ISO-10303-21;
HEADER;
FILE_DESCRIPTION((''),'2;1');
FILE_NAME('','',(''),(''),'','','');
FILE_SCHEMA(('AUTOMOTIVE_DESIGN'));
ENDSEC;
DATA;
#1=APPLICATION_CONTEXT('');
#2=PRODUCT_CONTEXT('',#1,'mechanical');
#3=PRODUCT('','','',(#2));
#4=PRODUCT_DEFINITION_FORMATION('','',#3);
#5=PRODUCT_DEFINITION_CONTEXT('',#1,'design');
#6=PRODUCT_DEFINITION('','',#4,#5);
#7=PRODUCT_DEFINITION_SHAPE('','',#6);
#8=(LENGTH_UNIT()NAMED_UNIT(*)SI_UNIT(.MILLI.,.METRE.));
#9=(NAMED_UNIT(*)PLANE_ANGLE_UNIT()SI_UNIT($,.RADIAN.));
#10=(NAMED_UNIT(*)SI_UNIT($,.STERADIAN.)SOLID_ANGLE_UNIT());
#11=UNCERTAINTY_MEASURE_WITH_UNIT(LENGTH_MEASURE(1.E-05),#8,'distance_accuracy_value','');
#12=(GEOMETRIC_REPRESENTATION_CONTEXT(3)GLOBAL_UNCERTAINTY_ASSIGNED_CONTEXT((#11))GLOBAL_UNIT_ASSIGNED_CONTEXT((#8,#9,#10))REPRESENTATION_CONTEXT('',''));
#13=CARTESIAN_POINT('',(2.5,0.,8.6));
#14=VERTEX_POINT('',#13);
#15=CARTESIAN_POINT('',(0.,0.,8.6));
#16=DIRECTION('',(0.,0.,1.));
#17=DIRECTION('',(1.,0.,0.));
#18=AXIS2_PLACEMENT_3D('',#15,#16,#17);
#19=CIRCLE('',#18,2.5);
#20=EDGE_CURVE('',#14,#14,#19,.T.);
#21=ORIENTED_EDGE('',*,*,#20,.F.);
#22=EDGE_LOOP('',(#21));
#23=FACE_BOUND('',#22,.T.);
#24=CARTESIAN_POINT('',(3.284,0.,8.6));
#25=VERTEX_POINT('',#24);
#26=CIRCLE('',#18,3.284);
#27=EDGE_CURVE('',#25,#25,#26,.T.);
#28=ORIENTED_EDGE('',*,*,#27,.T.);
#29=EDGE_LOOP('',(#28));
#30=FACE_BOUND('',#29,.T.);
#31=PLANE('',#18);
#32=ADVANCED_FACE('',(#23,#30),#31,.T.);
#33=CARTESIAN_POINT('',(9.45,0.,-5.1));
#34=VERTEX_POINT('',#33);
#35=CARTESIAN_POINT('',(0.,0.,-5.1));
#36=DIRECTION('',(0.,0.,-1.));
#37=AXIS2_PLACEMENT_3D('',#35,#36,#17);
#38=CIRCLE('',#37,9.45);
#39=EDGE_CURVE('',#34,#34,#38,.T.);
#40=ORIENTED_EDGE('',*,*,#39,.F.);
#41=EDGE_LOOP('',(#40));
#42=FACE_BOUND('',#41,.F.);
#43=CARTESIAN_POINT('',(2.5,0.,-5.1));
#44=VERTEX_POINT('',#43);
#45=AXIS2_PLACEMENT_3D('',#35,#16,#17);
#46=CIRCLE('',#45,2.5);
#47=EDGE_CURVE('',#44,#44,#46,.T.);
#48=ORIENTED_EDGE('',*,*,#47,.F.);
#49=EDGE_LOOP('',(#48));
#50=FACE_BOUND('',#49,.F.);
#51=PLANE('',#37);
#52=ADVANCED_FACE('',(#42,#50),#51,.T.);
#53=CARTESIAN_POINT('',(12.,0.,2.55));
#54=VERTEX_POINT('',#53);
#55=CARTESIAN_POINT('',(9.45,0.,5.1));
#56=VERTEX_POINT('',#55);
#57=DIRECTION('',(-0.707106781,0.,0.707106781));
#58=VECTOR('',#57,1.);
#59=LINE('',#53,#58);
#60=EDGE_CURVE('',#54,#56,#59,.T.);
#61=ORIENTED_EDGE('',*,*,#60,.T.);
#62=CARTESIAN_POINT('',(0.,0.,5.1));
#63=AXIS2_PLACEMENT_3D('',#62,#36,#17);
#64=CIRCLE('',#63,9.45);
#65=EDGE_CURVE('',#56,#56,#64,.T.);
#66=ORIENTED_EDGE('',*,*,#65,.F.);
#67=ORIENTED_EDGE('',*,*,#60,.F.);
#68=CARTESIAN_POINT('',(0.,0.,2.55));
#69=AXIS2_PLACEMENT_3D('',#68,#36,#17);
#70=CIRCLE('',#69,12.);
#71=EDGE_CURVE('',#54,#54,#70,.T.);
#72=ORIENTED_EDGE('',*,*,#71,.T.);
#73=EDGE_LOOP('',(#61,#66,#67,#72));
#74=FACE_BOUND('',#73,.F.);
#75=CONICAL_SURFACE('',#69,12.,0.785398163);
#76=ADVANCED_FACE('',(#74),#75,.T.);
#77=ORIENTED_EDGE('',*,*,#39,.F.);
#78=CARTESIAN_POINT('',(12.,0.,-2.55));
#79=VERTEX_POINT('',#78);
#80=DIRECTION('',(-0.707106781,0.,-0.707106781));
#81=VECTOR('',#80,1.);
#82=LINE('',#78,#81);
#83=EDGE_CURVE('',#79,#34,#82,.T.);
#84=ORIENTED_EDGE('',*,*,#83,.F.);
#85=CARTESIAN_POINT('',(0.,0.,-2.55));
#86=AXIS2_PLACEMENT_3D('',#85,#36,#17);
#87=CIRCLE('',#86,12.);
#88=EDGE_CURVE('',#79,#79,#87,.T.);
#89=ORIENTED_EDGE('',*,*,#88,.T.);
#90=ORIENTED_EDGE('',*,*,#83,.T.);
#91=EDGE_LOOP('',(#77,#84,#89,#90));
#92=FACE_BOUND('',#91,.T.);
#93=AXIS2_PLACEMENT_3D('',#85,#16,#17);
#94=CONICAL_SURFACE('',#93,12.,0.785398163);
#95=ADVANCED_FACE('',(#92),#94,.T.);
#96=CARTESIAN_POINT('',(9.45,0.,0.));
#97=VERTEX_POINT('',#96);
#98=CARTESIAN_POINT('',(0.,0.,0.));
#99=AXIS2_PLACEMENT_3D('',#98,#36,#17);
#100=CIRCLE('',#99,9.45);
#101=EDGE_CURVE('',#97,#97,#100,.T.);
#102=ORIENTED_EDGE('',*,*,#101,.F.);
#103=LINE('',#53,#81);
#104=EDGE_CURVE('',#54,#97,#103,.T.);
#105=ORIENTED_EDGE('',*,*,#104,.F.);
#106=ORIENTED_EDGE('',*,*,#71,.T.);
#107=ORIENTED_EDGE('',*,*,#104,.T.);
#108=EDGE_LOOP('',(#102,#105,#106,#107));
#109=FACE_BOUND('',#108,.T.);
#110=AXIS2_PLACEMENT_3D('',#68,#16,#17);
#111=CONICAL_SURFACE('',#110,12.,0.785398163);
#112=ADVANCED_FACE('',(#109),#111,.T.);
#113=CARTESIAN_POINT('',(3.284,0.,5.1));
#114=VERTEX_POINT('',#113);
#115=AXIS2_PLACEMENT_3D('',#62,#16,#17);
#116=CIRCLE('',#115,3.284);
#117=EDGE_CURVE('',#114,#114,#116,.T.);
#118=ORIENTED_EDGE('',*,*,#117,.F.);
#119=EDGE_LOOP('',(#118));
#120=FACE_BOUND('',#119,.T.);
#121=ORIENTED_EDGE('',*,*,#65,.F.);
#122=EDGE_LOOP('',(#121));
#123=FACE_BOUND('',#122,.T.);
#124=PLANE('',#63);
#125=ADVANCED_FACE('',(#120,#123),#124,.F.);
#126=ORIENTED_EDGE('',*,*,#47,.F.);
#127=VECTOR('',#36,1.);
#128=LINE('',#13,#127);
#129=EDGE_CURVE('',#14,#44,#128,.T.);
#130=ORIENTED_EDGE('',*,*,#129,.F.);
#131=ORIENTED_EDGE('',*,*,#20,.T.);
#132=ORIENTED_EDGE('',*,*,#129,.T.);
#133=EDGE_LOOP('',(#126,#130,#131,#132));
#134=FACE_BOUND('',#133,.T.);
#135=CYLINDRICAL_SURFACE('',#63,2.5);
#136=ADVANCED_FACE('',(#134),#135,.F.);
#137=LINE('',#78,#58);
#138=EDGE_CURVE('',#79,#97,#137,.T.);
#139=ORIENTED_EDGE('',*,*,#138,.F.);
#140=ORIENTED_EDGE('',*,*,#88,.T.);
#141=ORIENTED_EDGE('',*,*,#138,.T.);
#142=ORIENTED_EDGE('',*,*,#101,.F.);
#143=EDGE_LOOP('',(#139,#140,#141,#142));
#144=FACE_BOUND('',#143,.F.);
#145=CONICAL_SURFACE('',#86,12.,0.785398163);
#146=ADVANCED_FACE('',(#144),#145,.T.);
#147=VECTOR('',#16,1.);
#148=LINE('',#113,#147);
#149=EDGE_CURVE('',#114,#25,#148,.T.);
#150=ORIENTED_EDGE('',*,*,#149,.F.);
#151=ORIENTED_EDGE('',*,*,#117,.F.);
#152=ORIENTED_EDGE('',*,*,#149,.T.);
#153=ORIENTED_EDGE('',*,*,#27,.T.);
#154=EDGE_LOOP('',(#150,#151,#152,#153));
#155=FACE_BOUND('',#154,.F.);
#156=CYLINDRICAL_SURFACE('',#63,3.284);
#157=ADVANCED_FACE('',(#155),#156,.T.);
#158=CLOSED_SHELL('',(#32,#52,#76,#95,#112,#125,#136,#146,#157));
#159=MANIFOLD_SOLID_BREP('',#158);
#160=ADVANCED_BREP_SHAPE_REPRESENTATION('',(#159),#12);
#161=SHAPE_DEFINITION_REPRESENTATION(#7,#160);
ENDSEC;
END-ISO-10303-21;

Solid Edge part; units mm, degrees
sketch "Sketch1" plane through (0, 0, 0) normal (0, -1, 0) x (1, 0, 0)
  line L0 (12, 2.55) -> (9.45, 5.1)
  line L1 (0, 5.1) -> (9.45, 5.1)
  line L2 (0, 0) -> (0, 5.1)
  line L3 (0, 0) -> (0, -5.1)
  line L4 (0, -5.1) -> (9.45, -5.1)
  line L5 (12, -2.55) -> (9.45, -5.1)
  line L6 (12, -2.55) -> (9.45, 0)
  line L7 (12, 2.55) -> (9.45, 0)
revolve "RevolvedProtrusion1" add sketch "Sketch1" angle 360 about axis through (0, 0, 0) along (0, 0, -1)
sketch "Sketch2" plane through (0, 0, 5.1) normal (0, 0, 1) x (1, 0, 0)
  circle A0 centre (0, 0) radius 2.5
extrude "Cutout1" cut sketch "Sketch2" against normal up to vertex (10.2 mm away)
sketch "Sketch3" plane through (0, 0, 5.1) normal (0, 0, 1) x (1, 0, 0)
  circle A0 centre (0, 0) radius 3.284
  circle A1 centre (0, 0) radius 2.5
extrude "Protrusion1" add sketch "Sketch3" along normal blind 3.5
